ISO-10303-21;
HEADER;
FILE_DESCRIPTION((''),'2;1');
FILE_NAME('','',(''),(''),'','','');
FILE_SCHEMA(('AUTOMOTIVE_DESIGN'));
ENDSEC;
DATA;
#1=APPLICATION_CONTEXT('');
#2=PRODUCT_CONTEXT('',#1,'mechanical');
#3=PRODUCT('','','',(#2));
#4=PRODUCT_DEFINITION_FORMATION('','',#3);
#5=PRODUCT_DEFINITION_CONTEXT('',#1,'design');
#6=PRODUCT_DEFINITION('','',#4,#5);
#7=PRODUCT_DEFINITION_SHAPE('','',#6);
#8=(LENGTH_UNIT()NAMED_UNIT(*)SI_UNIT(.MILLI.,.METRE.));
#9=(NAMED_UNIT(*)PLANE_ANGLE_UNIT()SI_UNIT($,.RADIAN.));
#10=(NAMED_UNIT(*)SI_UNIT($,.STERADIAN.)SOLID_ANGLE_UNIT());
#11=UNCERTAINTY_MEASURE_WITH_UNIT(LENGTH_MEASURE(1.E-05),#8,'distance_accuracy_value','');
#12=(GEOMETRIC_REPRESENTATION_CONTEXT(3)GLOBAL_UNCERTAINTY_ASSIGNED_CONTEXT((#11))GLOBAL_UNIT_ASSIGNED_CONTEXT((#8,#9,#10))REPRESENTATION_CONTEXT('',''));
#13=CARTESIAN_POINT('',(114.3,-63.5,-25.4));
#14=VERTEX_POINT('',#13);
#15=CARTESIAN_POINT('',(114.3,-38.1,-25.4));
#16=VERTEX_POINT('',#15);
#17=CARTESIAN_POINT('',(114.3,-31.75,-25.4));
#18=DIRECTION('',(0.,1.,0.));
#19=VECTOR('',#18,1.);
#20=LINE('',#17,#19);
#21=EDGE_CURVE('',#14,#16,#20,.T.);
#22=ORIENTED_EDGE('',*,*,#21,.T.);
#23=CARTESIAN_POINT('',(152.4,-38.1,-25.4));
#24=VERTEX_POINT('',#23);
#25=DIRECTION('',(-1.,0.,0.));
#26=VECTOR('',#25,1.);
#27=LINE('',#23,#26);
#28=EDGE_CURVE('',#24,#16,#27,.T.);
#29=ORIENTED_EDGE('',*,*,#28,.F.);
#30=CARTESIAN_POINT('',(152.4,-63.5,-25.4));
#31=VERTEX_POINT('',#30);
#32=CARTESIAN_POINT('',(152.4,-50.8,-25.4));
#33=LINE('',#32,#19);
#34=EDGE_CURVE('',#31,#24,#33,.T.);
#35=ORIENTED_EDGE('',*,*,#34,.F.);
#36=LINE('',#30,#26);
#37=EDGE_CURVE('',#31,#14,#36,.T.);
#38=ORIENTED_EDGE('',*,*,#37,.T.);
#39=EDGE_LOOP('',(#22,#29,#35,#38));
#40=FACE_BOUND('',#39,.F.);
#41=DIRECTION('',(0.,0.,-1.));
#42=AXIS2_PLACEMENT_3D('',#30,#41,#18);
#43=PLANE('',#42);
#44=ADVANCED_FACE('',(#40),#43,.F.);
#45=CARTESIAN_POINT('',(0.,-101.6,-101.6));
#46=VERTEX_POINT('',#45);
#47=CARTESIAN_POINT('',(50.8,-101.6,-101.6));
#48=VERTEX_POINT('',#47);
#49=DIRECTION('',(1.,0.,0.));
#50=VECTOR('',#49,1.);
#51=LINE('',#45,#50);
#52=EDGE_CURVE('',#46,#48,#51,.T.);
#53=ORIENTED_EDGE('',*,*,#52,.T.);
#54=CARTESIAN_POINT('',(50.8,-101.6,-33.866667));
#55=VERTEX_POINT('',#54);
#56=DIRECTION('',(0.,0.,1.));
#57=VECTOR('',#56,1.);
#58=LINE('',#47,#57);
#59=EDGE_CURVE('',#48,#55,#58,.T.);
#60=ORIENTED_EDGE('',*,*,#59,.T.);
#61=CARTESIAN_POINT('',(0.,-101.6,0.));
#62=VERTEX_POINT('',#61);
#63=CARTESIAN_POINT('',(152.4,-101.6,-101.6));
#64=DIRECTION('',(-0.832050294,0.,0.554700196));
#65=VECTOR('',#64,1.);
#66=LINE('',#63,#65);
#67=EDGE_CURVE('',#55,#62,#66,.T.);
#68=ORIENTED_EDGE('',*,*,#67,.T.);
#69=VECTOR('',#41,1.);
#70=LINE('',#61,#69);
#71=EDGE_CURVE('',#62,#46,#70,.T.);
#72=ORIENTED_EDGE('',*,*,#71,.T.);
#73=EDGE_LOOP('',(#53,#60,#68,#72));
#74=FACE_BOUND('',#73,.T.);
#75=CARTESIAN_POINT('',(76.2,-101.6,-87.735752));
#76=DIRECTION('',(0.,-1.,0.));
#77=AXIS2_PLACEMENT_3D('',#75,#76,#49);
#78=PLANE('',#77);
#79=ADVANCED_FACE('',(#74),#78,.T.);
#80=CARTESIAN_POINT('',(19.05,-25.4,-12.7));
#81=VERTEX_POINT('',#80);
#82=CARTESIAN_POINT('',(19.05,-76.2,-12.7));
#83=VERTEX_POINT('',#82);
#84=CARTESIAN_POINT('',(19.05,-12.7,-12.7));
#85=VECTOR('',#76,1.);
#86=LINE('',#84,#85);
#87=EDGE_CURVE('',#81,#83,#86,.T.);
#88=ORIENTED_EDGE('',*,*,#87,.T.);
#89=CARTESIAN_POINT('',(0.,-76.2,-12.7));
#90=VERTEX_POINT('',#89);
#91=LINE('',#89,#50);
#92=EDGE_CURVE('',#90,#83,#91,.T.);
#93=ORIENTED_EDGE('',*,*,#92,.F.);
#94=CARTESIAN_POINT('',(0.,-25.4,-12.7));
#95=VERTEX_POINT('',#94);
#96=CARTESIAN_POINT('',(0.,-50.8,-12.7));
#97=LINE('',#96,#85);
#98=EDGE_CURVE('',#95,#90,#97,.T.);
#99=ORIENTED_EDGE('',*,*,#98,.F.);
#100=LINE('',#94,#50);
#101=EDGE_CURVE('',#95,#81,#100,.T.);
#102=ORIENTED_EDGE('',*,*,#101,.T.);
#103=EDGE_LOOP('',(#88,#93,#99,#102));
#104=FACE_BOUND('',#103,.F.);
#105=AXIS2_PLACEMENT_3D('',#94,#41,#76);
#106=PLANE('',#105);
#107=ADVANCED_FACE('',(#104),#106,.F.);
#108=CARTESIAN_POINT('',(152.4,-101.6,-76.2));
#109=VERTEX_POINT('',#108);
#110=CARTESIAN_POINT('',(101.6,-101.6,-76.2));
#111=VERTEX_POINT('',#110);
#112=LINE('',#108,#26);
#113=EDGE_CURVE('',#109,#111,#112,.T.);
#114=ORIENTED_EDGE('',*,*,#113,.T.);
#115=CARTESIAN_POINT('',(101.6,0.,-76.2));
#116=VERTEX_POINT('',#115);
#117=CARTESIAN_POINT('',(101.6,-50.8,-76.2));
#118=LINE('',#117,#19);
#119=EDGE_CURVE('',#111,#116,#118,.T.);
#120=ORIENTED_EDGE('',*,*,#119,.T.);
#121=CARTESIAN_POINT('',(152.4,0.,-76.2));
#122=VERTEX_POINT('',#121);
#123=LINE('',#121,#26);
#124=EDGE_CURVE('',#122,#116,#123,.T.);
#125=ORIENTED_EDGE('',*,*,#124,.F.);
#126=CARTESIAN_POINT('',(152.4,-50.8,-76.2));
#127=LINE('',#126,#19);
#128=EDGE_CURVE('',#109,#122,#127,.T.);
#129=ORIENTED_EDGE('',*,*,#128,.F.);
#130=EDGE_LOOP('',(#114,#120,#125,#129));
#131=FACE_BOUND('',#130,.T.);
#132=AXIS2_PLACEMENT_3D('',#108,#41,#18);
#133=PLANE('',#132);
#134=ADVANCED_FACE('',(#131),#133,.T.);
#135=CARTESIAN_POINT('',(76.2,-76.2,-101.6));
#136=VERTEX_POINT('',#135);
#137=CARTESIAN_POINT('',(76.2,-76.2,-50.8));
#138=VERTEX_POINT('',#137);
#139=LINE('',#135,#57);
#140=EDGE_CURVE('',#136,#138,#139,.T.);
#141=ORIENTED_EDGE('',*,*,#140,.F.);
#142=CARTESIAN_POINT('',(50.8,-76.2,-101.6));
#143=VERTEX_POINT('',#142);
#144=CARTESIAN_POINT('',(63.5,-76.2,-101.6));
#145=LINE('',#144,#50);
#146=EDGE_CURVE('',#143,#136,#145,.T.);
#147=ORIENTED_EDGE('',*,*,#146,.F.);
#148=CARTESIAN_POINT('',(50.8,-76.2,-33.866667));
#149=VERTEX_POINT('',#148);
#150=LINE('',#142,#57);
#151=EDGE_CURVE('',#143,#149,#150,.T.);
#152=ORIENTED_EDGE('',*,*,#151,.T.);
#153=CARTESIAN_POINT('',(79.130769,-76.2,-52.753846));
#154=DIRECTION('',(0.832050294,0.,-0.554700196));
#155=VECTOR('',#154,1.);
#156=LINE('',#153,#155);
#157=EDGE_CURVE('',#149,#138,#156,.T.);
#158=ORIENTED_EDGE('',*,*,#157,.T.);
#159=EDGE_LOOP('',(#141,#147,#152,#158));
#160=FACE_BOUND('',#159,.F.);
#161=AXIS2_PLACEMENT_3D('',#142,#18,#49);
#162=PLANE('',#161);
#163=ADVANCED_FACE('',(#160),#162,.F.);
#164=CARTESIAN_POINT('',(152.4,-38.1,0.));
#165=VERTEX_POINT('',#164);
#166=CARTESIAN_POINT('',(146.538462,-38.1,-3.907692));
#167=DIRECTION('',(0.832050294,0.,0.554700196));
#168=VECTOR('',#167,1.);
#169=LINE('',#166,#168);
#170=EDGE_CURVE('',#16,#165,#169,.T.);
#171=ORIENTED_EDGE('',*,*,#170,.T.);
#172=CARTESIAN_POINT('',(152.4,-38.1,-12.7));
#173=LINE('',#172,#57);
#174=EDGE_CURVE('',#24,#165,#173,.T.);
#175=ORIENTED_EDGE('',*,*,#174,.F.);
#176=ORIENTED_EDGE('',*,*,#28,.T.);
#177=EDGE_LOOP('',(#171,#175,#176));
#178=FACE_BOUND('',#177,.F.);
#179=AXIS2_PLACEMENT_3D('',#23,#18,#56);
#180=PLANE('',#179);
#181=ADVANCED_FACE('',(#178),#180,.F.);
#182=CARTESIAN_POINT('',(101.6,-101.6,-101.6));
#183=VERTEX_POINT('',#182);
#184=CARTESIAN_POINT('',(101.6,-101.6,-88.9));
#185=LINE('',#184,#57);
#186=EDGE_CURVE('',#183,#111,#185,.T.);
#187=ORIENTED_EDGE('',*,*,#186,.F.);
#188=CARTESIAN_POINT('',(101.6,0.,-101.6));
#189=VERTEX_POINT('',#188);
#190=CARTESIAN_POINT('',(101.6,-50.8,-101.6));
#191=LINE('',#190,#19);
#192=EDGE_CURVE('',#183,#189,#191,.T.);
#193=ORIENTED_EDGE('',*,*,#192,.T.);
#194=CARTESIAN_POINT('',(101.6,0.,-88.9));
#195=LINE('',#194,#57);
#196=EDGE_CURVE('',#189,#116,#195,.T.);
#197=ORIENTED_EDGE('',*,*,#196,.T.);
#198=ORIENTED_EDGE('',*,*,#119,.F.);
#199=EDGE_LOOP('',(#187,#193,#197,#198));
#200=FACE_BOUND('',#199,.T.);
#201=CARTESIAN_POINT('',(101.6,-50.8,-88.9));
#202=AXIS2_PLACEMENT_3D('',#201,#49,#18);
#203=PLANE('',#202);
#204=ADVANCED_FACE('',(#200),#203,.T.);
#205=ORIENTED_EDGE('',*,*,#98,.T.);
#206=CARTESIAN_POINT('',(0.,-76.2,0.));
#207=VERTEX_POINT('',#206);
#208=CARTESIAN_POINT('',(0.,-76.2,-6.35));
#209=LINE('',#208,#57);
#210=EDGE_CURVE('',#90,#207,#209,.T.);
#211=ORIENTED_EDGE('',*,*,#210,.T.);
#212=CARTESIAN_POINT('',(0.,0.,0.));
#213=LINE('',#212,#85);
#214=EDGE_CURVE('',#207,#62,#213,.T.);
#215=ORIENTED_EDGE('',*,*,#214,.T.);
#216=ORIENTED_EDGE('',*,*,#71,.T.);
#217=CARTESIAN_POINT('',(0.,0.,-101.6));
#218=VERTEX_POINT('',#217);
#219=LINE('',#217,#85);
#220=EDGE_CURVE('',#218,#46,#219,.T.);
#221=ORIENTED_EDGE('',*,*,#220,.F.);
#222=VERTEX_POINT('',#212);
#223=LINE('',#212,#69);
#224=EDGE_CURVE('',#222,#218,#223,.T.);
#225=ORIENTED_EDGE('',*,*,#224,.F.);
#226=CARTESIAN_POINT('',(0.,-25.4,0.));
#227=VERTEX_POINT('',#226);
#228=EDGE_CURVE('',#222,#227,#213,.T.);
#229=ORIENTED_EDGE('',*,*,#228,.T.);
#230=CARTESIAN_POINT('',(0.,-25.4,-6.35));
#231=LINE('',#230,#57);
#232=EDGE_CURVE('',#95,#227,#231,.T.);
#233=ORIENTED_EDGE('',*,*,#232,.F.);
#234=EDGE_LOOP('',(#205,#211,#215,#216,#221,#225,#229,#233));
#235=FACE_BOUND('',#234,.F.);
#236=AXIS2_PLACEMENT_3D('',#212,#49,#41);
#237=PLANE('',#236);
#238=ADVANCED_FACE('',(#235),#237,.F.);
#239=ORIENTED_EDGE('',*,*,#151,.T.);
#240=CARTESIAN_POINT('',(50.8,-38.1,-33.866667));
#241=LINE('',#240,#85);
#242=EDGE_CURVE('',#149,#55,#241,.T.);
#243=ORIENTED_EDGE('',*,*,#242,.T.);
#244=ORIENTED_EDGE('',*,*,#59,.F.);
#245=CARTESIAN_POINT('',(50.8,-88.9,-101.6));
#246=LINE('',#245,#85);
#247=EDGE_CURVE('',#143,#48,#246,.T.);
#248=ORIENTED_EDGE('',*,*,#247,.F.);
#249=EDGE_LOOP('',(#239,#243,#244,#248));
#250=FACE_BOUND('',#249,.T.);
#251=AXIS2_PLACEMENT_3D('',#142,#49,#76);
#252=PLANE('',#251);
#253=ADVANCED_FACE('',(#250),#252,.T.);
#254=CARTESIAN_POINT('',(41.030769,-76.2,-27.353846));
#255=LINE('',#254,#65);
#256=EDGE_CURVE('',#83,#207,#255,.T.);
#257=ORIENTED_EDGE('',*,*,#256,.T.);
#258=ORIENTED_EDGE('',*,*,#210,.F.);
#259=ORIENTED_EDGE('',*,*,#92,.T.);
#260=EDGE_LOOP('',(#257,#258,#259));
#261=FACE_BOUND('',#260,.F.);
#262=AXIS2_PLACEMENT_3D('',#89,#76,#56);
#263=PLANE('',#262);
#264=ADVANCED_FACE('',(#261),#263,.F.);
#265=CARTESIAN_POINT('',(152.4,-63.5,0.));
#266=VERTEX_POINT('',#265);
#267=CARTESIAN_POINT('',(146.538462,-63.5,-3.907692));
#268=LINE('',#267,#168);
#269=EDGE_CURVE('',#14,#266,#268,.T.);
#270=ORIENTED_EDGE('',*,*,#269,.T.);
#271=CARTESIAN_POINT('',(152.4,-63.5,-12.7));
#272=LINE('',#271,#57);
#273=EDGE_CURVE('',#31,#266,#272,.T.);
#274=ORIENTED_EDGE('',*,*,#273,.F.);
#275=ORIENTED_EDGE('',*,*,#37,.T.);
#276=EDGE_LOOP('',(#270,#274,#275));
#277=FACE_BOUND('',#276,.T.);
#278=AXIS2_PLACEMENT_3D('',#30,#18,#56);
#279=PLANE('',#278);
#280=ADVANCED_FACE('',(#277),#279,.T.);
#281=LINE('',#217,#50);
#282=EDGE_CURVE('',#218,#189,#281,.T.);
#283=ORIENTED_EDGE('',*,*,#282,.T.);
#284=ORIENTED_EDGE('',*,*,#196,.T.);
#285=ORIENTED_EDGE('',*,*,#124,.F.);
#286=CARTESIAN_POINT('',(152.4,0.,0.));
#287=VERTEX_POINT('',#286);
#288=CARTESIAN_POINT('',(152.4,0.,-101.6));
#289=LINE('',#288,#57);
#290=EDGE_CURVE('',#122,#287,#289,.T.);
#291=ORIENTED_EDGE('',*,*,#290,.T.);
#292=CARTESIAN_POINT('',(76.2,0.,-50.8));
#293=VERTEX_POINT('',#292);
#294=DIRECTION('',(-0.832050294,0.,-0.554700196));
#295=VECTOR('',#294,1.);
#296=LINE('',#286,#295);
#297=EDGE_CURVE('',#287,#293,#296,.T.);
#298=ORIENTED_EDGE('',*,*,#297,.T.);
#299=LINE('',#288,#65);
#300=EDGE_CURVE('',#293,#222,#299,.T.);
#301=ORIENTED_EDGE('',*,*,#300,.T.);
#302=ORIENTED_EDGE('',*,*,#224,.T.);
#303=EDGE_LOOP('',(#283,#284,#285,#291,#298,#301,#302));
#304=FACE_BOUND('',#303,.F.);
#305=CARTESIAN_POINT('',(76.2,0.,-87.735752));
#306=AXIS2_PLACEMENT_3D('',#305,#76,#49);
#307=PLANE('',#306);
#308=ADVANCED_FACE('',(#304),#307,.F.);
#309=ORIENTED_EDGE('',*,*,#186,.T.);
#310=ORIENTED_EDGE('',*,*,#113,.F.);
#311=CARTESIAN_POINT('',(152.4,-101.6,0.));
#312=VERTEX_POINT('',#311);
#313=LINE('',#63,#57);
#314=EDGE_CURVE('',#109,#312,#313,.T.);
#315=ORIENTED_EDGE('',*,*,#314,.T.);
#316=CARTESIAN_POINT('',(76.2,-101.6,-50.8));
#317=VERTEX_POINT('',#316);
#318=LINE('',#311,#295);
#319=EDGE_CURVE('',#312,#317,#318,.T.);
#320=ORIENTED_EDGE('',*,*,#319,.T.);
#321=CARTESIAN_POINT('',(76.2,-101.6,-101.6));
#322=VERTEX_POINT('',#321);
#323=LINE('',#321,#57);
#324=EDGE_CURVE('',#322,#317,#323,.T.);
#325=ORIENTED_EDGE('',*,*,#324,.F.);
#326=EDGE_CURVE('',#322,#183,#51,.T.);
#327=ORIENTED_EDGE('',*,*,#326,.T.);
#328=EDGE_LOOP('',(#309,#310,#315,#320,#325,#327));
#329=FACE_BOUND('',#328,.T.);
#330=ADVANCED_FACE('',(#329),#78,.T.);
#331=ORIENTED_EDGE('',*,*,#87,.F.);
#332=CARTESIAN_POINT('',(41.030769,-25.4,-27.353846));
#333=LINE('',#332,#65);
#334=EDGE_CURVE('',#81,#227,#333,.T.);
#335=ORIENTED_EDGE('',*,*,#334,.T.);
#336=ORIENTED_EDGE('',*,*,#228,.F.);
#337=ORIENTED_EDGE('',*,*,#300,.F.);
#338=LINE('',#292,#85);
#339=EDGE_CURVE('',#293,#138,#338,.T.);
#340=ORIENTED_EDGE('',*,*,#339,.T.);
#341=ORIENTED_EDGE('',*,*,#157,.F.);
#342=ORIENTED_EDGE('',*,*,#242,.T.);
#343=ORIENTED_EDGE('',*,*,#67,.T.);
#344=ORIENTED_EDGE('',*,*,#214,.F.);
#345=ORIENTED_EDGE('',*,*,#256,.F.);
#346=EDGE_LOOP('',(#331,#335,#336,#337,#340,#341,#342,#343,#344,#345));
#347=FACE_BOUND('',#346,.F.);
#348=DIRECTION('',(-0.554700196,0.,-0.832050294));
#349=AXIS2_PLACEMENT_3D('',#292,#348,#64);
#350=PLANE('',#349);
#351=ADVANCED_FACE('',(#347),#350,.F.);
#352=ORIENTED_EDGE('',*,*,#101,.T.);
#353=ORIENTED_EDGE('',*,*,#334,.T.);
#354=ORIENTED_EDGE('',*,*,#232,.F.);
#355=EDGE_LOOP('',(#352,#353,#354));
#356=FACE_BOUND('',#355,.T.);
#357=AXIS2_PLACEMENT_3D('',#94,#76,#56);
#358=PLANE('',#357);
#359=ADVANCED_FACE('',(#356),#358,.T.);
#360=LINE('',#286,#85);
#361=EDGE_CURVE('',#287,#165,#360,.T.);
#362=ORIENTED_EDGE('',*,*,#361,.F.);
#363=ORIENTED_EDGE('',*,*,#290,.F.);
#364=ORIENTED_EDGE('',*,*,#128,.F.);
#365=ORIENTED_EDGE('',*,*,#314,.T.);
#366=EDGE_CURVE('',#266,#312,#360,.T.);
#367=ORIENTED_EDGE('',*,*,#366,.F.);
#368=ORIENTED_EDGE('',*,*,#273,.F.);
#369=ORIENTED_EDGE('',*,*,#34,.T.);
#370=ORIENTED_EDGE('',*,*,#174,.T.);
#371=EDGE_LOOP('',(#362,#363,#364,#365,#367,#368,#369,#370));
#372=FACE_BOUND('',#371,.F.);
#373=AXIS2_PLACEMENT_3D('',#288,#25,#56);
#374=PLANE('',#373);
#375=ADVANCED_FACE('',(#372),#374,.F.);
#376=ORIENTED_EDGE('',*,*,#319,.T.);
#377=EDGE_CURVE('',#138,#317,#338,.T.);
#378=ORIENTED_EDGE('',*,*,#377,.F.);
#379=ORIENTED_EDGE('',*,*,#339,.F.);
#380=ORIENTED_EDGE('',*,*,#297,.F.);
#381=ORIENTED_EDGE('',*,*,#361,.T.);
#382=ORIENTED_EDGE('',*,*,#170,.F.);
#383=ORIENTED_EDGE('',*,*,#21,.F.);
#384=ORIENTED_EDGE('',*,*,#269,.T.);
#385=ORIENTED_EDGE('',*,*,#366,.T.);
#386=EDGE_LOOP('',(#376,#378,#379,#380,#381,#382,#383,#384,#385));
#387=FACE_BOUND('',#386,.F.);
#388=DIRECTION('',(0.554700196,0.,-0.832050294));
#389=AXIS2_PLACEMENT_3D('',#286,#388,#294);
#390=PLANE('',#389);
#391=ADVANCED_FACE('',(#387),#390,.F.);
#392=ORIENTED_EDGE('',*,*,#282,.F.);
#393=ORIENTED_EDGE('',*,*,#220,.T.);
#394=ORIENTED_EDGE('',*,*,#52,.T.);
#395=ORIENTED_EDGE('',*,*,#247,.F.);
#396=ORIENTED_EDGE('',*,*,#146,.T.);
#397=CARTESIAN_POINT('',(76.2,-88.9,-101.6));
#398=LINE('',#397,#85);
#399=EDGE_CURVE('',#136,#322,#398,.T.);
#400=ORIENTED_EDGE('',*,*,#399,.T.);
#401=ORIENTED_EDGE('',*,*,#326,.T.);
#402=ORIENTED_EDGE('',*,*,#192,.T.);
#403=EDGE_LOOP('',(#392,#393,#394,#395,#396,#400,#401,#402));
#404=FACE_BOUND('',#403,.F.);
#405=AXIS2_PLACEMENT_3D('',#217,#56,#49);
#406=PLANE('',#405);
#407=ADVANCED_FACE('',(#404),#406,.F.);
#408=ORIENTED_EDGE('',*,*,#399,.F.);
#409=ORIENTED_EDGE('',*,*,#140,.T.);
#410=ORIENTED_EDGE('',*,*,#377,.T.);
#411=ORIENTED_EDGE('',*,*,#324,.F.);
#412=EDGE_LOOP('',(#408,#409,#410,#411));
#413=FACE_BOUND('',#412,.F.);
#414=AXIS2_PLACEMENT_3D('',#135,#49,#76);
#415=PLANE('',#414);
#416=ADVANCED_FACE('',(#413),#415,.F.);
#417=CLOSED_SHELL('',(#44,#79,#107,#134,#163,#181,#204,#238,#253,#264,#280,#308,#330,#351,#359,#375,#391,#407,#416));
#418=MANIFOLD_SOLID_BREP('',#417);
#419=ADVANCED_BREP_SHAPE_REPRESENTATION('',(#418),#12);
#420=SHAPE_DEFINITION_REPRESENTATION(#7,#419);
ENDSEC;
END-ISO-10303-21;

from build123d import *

# Parameters (mm, degrees)
F1_DEPTH = 101.6
F2_W     = 101.6
F2_H     = 25.4
F2_W_2   = 25.4
F3_DEPTH = 50.8
F4_W     = 50.8
F4_H     = 12.7
F5_DEPTH = 25.4
F6_W     = 25.4
F6_H     = 25.4
F7_DEPTH = 101.601


with BuildPart() as f1:
    # F0 (on Front) → F1 (new body)
    with BuildSketch(Plane.XZ):
        Polygon((76.2, -50.8), (0, -101.6), (152.4, -101.6), align=None)
        Polygon((76.2, -50.8), (0, 0), (0, -101.6), align=None)
        Polygon((152.4, -101.6), (152.4, 0), (76.2, -50.8), align=None)
    extrude(amount=F1_DEPTH)

    # F2 (on face) → F3 (cut)
    with BuildSketch(Plane.YZ.offset(152.4)):
        with Locations((-50.8, -88.9)):
            Rectangle(F2_W, F2_H)
        with Locations((-50.8, -12.7)):
            Rectangle(F2_W_2, F2_H)
    extrude(amount=-F3_DEPTH, mode=Mode.SUBTRACT)

    # F4 (on face) → F5 (cut)
    with BuildSketch(Plane(origin=(0, 0, 0), x_dir=(0, -1, 0), z_dir=(-1, 0, 0))):
        with Locations((50.8, -6.35)):
            Rectangle(F4_W, F4_H)
    extrude(amount=-F5_DEPTH, mode=Mode.SUBTRACT)

    # F6 (on face) → F7 (cut, through all)
    with BuildSketch(Plane(origin=(0, 0, -101.6), x_dir=(1, 0, 0), z_dir=(0, 0, -1))):
        with Locations((63.5, 88.9)):
            Rectangle(F6_W, F6_H)
    extrude(amount=-F7_DEPTH, mode=Mode.SUBTRACT)


solid = f1.part
